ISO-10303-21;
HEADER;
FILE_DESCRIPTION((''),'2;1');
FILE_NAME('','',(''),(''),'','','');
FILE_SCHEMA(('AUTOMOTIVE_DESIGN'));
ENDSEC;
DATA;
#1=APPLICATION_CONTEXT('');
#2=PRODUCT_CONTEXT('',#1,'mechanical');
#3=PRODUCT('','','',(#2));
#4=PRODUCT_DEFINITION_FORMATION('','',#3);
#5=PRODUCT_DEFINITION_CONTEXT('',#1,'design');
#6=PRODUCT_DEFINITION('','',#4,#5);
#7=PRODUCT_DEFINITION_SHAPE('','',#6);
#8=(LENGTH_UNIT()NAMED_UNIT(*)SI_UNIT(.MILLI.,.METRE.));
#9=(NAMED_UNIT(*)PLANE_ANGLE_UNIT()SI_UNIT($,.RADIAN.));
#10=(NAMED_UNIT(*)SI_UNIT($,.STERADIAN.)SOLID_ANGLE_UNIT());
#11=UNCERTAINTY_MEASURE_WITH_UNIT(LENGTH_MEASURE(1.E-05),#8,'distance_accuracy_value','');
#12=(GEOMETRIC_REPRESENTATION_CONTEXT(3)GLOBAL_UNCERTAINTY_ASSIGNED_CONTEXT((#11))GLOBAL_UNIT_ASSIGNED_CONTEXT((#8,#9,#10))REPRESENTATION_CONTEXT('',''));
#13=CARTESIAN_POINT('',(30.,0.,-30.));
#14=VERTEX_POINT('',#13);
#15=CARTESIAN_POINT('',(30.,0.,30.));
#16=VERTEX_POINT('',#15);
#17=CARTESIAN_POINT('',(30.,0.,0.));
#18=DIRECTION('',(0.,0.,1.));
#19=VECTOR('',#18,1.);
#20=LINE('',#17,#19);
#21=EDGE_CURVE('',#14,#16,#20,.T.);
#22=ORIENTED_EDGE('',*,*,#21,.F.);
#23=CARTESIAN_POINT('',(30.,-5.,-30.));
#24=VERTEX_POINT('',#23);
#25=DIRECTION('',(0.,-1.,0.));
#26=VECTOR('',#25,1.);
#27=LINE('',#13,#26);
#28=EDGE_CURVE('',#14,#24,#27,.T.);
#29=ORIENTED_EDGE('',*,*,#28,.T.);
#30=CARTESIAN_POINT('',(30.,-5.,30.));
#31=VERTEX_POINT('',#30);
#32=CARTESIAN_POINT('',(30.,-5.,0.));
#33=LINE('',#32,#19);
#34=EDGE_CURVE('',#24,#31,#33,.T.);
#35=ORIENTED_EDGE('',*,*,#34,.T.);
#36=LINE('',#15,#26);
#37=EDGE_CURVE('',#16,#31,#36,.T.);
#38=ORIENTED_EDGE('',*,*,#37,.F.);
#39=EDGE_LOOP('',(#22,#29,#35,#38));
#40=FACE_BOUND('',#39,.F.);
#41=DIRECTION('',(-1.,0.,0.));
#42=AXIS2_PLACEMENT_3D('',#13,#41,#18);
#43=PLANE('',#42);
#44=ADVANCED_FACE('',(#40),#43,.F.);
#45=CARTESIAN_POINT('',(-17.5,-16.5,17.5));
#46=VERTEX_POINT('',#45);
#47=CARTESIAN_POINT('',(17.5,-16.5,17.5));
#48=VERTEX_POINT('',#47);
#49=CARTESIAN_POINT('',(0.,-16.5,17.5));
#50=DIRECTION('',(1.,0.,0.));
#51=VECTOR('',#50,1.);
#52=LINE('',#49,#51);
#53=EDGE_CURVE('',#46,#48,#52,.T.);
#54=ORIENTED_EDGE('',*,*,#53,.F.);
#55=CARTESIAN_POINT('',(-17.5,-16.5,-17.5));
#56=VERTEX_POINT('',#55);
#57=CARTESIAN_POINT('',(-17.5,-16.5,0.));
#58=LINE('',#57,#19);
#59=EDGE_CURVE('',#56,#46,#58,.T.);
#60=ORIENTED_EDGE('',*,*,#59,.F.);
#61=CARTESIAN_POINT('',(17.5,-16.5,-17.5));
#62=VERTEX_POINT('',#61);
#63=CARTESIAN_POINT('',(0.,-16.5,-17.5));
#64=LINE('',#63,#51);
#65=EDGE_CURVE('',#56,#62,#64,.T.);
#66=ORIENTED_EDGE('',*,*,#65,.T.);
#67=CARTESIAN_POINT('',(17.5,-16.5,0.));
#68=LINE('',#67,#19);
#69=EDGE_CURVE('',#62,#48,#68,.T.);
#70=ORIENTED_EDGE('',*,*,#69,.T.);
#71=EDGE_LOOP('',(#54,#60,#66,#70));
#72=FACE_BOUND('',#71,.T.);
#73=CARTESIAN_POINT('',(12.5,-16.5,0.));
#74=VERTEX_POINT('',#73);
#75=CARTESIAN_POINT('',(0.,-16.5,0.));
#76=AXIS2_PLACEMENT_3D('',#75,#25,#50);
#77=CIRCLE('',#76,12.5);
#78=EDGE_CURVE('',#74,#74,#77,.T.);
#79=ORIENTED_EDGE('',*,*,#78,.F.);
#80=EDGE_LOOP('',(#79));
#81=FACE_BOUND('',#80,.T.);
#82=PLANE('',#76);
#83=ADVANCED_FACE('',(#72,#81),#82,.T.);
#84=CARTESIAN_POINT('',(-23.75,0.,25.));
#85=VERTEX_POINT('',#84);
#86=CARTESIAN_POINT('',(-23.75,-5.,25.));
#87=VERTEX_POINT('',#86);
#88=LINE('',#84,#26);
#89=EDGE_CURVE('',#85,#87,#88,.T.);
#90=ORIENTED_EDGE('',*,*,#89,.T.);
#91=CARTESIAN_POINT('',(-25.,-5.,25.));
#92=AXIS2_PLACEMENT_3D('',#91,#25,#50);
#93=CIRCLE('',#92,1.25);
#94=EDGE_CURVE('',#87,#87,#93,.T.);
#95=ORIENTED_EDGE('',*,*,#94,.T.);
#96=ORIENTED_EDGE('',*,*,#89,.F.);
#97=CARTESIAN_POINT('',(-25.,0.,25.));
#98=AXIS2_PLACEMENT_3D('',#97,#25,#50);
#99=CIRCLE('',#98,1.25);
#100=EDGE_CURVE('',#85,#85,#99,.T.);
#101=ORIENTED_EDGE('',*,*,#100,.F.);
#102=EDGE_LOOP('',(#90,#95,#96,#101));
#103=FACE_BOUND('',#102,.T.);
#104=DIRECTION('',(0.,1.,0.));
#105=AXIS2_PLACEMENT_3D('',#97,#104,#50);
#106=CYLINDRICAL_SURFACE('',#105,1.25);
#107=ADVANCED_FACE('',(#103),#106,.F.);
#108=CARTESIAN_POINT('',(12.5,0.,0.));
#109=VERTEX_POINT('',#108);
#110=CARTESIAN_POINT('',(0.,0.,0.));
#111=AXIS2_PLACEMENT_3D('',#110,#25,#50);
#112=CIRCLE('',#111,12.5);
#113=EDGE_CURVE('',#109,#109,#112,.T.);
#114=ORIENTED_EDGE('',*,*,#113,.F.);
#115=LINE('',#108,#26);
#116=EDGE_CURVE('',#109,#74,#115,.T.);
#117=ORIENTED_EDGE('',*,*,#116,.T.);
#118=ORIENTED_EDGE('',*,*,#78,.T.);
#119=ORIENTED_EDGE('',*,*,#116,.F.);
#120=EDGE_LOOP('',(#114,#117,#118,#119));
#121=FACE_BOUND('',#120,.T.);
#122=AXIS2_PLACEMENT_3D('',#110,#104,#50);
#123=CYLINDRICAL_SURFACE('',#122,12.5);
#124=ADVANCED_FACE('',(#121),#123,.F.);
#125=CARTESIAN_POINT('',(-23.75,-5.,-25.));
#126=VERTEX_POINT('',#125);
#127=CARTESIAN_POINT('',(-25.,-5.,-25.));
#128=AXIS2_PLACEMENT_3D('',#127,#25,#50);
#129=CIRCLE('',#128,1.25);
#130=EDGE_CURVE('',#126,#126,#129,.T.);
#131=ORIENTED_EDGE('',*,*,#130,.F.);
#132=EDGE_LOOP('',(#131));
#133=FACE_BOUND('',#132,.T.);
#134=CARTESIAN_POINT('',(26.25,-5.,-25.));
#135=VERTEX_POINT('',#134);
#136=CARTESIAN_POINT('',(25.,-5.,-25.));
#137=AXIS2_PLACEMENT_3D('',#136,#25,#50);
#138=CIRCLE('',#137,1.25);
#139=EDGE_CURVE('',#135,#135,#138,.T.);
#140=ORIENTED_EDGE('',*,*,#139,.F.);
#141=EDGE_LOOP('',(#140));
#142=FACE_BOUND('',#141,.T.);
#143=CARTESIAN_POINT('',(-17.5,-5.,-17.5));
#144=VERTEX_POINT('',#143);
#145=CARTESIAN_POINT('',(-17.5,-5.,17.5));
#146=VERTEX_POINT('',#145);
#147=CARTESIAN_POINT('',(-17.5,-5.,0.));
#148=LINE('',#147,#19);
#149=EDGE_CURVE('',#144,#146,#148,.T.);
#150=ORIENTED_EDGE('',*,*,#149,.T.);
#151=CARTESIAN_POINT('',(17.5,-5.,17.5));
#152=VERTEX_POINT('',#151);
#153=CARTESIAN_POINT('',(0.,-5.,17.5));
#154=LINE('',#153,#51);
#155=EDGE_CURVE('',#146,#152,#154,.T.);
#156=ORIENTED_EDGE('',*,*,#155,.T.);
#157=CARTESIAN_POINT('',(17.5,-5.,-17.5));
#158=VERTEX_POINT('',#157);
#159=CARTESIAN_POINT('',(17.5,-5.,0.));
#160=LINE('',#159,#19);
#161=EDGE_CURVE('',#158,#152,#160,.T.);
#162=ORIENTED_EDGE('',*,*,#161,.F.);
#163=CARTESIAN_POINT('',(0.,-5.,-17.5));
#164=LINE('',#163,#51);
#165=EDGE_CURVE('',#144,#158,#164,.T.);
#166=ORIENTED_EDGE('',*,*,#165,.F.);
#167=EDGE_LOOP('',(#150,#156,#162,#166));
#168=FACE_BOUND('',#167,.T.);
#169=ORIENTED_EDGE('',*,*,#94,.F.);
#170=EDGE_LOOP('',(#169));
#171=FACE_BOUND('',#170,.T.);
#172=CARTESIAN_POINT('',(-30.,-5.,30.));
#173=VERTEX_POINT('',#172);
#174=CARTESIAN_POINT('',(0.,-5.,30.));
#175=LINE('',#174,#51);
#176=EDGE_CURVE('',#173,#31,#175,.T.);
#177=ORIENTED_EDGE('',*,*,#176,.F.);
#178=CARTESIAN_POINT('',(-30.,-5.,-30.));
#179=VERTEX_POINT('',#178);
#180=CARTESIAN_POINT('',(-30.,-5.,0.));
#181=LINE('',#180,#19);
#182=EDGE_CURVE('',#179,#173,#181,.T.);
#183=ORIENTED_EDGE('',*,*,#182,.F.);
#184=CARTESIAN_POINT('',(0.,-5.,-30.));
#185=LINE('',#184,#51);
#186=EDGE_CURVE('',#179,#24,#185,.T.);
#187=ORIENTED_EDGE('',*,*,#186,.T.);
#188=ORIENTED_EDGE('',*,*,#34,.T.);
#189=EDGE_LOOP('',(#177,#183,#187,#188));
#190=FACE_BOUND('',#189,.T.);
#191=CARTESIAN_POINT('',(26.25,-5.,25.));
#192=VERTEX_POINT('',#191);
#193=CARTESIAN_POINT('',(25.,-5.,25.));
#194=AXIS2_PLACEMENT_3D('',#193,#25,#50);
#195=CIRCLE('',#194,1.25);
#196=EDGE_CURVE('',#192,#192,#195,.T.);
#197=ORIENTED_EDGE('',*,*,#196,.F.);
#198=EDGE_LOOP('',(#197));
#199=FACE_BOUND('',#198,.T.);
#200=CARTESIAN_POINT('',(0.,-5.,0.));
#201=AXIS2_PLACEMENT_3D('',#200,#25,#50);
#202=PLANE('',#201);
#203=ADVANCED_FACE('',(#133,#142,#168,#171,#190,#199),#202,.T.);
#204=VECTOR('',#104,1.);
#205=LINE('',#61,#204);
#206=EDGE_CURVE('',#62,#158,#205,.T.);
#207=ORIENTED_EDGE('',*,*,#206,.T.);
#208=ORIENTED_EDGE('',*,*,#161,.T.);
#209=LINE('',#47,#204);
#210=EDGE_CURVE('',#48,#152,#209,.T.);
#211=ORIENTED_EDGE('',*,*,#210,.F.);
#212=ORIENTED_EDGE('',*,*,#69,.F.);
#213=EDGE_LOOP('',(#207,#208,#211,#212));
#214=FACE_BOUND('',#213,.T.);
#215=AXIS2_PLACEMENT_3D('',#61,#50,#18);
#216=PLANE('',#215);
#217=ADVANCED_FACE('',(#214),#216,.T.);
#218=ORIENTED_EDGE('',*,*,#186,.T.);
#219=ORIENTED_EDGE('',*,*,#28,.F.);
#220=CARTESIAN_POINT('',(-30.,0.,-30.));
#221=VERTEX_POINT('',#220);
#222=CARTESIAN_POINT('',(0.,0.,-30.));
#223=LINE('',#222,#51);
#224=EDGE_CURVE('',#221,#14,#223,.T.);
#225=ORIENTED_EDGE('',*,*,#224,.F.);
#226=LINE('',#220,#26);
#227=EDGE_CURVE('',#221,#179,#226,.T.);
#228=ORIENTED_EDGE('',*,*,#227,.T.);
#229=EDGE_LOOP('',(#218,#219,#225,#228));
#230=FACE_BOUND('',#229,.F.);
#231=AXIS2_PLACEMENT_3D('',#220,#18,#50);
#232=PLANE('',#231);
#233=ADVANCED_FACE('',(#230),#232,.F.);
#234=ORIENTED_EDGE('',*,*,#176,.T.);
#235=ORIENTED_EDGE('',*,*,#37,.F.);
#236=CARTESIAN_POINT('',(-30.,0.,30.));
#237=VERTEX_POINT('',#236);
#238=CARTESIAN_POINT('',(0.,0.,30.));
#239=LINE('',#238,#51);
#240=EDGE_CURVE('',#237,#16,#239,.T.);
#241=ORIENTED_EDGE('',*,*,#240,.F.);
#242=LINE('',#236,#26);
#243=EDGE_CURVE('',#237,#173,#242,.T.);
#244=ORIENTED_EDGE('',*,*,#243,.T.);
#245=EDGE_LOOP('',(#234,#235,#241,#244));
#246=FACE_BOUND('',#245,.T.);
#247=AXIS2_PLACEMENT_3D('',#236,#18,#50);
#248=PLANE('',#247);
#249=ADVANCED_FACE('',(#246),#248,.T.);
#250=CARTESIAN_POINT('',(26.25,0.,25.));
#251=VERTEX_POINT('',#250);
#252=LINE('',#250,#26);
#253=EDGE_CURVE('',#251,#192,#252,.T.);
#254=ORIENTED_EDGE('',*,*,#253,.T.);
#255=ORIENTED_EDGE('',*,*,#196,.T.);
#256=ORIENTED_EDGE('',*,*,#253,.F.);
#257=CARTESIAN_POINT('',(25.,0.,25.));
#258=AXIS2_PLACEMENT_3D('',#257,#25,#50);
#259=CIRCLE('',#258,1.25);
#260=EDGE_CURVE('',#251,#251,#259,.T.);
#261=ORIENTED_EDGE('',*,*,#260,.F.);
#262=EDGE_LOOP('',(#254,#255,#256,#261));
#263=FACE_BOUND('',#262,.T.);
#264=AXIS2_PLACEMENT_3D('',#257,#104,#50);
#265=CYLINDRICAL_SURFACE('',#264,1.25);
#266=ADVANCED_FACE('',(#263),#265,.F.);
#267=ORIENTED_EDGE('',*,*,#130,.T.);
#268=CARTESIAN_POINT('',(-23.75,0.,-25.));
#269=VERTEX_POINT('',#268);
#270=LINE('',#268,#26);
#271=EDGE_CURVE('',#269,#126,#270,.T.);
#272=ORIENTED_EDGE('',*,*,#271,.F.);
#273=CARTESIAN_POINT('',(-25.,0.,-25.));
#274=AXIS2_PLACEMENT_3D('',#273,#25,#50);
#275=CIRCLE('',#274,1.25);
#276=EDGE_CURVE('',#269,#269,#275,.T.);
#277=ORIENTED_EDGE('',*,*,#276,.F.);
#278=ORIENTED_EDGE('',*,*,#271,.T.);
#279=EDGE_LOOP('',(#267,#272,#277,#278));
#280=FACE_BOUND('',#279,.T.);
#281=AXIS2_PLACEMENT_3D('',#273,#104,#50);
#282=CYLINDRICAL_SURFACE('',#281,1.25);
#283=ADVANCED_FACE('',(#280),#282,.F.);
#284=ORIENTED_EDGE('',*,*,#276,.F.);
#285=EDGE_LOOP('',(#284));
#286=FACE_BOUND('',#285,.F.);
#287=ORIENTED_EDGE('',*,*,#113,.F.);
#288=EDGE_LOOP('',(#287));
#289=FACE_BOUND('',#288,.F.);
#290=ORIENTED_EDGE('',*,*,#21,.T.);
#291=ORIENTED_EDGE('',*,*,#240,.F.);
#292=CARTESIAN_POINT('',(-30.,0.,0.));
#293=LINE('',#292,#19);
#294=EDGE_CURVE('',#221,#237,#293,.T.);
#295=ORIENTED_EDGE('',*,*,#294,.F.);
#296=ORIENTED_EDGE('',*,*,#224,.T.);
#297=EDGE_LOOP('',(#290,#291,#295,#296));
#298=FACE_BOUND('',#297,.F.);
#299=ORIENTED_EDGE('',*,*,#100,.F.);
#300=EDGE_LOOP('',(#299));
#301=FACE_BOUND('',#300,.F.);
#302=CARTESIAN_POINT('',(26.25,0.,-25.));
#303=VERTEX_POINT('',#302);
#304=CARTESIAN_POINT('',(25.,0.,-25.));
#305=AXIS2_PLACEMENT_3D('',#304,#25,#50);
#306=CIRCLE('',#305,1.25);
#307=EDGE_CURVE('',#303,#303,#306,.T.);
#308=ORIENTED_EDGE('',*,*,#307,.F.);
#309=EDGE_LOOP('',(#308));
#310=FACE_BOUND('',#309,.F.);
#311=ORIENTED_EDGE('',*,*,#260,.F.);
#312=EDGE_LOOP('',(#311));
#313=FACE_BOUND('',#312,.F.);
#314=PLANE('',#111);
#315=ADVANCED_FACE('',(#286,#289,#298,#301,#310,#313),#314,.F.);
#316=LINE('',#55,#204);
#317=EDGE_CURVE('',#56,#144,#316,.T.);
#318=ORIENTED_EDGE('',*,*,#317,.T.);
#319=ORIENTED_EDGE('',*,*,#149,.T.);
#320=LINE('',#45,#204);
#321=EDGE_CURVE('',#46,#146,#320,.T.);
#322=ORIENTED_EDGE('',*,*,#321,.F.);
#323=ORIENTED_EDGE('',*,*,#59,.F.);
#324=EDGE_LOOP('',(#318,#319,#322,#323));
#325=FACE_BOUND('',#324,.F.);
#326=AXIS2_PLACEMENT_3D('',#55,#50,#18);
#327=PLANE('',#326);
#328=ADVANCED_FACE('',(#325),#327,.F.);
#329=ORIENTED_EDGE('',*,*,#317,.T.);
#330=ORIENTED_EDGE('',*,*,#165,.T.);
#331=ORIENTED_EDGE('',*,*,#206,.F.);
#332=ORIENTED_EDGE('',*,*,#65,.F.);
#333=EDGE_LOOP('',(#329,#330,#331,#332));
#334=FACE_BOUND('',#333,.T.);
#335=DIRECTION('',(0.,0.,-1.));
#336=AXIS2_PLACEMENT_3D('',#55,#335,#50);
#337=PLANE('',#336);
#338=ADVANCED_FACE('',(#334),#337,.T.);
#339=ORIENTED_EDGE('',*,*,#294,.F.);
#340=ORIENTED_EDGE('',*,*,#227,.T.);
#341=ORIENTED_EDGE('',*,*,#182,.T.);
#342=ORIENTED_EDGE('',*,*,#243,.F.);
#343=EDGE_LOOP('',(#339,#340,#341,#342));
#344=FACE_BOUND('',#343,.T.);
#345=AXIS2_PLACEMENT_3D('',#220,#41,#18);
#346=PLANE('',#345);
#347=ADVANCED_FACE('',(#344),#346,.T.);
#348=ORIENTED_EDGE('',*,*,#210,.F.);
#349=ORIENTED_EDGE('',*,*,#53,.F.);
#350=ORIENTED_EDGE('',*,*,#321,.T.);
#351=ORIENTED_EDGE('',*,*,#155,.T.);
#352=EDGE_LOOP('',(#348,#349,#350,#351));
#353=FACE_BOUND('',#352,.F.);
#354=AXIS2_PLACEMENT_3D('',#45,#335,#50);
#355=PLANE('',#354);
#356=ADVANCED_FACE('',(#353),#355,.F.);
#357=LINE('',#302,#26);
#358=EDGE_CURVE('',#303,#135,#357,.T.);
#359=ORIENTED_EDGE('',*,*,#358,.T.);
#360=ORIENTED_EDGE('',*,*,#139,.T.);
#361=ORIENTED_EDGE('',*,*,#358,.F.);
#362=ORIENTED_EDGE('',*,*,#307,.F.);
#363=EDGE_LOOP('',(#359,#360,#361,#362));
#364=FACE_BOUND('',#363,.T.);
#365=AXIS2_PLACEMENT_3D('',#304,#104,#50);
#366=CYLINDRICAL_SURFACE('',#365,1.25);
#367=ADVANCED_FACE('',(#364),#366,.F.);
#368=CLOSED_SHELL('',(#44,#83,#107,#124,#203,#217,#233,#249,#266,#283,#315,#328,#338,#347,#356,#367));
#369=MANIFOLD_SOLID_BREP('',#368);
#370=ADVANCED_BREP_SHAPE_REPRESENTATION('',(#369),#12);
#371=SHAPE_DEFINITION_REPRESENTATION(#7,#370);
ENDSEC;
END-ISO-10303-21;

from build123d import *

# Parameters (mm, degrees)
F0_W     = 60
F0_H     = 60
F0_R     = 1.25
F0_W_2   = 40.5
F0_H_2   = 40.5
F0_R_2   = 12.5
F1_DEPTH = 16.5
F2_W     = 60
F2_H     = 60
F2_R     = 1.25
F2_W_2   = 35
F2_H_2   = 35
F3_DEPTH = 11.5


with BuildPart() as f1:
    # F0 (on Front) → F1 (new body)
    with BuildSketch(Plane.XZ):
        Rectangle(F0_W, F0_H)
        with Locations((-25, -25)):
            Circle(F0_R, mode=Mode.SUBTRACT)
        with Locations((25, -25)):
            Circle(F0_R, mode=Mode.SUBTRACT)
        with Locations((-25, 25)):
            Circle(F0_R, mode=Mode.SUBTRACT)
        Rectangle(F0_W_2, F0_H_2, mode=Mode.SUBTRACT)
        with Locations((25, 25)):
            Circle(F0_R, mode=Mode.SUBTRACT)
        Rectangle(F0_W_2, F0_H_2)
        Circle(F0_R_2, mode=Mode.SUBTRACT)
    extrude(amount=F1_DEPTH)

    # F2 (on face) → F3 (cut)
    with BuildSketch(Plane.XZ.offset(16.5)):
        Rectangle(F2_W, F2_H)
        with Locations((-25, -25)):
            Circle(F2_R, mode=Mode.SUBTRACT)
        with Locations((25, -25)):
            Circle(F2_R, mode=Mode.SUBTRACT)
        with Locations((-25, 25)):
            Circle(F2_R, mode=Mode.SUBTRACT)
        Rectangle(F2_W_2, F2_H_2, mode=Mode.SUBTRACT)
        with Locations((25, 25)):
            Circle(F2_R, mode=Mode.SUBTRACT)
    extrude(amount=-F3_DEPTH, mode=Mode.SUBTRACT)


solid = f1.part
